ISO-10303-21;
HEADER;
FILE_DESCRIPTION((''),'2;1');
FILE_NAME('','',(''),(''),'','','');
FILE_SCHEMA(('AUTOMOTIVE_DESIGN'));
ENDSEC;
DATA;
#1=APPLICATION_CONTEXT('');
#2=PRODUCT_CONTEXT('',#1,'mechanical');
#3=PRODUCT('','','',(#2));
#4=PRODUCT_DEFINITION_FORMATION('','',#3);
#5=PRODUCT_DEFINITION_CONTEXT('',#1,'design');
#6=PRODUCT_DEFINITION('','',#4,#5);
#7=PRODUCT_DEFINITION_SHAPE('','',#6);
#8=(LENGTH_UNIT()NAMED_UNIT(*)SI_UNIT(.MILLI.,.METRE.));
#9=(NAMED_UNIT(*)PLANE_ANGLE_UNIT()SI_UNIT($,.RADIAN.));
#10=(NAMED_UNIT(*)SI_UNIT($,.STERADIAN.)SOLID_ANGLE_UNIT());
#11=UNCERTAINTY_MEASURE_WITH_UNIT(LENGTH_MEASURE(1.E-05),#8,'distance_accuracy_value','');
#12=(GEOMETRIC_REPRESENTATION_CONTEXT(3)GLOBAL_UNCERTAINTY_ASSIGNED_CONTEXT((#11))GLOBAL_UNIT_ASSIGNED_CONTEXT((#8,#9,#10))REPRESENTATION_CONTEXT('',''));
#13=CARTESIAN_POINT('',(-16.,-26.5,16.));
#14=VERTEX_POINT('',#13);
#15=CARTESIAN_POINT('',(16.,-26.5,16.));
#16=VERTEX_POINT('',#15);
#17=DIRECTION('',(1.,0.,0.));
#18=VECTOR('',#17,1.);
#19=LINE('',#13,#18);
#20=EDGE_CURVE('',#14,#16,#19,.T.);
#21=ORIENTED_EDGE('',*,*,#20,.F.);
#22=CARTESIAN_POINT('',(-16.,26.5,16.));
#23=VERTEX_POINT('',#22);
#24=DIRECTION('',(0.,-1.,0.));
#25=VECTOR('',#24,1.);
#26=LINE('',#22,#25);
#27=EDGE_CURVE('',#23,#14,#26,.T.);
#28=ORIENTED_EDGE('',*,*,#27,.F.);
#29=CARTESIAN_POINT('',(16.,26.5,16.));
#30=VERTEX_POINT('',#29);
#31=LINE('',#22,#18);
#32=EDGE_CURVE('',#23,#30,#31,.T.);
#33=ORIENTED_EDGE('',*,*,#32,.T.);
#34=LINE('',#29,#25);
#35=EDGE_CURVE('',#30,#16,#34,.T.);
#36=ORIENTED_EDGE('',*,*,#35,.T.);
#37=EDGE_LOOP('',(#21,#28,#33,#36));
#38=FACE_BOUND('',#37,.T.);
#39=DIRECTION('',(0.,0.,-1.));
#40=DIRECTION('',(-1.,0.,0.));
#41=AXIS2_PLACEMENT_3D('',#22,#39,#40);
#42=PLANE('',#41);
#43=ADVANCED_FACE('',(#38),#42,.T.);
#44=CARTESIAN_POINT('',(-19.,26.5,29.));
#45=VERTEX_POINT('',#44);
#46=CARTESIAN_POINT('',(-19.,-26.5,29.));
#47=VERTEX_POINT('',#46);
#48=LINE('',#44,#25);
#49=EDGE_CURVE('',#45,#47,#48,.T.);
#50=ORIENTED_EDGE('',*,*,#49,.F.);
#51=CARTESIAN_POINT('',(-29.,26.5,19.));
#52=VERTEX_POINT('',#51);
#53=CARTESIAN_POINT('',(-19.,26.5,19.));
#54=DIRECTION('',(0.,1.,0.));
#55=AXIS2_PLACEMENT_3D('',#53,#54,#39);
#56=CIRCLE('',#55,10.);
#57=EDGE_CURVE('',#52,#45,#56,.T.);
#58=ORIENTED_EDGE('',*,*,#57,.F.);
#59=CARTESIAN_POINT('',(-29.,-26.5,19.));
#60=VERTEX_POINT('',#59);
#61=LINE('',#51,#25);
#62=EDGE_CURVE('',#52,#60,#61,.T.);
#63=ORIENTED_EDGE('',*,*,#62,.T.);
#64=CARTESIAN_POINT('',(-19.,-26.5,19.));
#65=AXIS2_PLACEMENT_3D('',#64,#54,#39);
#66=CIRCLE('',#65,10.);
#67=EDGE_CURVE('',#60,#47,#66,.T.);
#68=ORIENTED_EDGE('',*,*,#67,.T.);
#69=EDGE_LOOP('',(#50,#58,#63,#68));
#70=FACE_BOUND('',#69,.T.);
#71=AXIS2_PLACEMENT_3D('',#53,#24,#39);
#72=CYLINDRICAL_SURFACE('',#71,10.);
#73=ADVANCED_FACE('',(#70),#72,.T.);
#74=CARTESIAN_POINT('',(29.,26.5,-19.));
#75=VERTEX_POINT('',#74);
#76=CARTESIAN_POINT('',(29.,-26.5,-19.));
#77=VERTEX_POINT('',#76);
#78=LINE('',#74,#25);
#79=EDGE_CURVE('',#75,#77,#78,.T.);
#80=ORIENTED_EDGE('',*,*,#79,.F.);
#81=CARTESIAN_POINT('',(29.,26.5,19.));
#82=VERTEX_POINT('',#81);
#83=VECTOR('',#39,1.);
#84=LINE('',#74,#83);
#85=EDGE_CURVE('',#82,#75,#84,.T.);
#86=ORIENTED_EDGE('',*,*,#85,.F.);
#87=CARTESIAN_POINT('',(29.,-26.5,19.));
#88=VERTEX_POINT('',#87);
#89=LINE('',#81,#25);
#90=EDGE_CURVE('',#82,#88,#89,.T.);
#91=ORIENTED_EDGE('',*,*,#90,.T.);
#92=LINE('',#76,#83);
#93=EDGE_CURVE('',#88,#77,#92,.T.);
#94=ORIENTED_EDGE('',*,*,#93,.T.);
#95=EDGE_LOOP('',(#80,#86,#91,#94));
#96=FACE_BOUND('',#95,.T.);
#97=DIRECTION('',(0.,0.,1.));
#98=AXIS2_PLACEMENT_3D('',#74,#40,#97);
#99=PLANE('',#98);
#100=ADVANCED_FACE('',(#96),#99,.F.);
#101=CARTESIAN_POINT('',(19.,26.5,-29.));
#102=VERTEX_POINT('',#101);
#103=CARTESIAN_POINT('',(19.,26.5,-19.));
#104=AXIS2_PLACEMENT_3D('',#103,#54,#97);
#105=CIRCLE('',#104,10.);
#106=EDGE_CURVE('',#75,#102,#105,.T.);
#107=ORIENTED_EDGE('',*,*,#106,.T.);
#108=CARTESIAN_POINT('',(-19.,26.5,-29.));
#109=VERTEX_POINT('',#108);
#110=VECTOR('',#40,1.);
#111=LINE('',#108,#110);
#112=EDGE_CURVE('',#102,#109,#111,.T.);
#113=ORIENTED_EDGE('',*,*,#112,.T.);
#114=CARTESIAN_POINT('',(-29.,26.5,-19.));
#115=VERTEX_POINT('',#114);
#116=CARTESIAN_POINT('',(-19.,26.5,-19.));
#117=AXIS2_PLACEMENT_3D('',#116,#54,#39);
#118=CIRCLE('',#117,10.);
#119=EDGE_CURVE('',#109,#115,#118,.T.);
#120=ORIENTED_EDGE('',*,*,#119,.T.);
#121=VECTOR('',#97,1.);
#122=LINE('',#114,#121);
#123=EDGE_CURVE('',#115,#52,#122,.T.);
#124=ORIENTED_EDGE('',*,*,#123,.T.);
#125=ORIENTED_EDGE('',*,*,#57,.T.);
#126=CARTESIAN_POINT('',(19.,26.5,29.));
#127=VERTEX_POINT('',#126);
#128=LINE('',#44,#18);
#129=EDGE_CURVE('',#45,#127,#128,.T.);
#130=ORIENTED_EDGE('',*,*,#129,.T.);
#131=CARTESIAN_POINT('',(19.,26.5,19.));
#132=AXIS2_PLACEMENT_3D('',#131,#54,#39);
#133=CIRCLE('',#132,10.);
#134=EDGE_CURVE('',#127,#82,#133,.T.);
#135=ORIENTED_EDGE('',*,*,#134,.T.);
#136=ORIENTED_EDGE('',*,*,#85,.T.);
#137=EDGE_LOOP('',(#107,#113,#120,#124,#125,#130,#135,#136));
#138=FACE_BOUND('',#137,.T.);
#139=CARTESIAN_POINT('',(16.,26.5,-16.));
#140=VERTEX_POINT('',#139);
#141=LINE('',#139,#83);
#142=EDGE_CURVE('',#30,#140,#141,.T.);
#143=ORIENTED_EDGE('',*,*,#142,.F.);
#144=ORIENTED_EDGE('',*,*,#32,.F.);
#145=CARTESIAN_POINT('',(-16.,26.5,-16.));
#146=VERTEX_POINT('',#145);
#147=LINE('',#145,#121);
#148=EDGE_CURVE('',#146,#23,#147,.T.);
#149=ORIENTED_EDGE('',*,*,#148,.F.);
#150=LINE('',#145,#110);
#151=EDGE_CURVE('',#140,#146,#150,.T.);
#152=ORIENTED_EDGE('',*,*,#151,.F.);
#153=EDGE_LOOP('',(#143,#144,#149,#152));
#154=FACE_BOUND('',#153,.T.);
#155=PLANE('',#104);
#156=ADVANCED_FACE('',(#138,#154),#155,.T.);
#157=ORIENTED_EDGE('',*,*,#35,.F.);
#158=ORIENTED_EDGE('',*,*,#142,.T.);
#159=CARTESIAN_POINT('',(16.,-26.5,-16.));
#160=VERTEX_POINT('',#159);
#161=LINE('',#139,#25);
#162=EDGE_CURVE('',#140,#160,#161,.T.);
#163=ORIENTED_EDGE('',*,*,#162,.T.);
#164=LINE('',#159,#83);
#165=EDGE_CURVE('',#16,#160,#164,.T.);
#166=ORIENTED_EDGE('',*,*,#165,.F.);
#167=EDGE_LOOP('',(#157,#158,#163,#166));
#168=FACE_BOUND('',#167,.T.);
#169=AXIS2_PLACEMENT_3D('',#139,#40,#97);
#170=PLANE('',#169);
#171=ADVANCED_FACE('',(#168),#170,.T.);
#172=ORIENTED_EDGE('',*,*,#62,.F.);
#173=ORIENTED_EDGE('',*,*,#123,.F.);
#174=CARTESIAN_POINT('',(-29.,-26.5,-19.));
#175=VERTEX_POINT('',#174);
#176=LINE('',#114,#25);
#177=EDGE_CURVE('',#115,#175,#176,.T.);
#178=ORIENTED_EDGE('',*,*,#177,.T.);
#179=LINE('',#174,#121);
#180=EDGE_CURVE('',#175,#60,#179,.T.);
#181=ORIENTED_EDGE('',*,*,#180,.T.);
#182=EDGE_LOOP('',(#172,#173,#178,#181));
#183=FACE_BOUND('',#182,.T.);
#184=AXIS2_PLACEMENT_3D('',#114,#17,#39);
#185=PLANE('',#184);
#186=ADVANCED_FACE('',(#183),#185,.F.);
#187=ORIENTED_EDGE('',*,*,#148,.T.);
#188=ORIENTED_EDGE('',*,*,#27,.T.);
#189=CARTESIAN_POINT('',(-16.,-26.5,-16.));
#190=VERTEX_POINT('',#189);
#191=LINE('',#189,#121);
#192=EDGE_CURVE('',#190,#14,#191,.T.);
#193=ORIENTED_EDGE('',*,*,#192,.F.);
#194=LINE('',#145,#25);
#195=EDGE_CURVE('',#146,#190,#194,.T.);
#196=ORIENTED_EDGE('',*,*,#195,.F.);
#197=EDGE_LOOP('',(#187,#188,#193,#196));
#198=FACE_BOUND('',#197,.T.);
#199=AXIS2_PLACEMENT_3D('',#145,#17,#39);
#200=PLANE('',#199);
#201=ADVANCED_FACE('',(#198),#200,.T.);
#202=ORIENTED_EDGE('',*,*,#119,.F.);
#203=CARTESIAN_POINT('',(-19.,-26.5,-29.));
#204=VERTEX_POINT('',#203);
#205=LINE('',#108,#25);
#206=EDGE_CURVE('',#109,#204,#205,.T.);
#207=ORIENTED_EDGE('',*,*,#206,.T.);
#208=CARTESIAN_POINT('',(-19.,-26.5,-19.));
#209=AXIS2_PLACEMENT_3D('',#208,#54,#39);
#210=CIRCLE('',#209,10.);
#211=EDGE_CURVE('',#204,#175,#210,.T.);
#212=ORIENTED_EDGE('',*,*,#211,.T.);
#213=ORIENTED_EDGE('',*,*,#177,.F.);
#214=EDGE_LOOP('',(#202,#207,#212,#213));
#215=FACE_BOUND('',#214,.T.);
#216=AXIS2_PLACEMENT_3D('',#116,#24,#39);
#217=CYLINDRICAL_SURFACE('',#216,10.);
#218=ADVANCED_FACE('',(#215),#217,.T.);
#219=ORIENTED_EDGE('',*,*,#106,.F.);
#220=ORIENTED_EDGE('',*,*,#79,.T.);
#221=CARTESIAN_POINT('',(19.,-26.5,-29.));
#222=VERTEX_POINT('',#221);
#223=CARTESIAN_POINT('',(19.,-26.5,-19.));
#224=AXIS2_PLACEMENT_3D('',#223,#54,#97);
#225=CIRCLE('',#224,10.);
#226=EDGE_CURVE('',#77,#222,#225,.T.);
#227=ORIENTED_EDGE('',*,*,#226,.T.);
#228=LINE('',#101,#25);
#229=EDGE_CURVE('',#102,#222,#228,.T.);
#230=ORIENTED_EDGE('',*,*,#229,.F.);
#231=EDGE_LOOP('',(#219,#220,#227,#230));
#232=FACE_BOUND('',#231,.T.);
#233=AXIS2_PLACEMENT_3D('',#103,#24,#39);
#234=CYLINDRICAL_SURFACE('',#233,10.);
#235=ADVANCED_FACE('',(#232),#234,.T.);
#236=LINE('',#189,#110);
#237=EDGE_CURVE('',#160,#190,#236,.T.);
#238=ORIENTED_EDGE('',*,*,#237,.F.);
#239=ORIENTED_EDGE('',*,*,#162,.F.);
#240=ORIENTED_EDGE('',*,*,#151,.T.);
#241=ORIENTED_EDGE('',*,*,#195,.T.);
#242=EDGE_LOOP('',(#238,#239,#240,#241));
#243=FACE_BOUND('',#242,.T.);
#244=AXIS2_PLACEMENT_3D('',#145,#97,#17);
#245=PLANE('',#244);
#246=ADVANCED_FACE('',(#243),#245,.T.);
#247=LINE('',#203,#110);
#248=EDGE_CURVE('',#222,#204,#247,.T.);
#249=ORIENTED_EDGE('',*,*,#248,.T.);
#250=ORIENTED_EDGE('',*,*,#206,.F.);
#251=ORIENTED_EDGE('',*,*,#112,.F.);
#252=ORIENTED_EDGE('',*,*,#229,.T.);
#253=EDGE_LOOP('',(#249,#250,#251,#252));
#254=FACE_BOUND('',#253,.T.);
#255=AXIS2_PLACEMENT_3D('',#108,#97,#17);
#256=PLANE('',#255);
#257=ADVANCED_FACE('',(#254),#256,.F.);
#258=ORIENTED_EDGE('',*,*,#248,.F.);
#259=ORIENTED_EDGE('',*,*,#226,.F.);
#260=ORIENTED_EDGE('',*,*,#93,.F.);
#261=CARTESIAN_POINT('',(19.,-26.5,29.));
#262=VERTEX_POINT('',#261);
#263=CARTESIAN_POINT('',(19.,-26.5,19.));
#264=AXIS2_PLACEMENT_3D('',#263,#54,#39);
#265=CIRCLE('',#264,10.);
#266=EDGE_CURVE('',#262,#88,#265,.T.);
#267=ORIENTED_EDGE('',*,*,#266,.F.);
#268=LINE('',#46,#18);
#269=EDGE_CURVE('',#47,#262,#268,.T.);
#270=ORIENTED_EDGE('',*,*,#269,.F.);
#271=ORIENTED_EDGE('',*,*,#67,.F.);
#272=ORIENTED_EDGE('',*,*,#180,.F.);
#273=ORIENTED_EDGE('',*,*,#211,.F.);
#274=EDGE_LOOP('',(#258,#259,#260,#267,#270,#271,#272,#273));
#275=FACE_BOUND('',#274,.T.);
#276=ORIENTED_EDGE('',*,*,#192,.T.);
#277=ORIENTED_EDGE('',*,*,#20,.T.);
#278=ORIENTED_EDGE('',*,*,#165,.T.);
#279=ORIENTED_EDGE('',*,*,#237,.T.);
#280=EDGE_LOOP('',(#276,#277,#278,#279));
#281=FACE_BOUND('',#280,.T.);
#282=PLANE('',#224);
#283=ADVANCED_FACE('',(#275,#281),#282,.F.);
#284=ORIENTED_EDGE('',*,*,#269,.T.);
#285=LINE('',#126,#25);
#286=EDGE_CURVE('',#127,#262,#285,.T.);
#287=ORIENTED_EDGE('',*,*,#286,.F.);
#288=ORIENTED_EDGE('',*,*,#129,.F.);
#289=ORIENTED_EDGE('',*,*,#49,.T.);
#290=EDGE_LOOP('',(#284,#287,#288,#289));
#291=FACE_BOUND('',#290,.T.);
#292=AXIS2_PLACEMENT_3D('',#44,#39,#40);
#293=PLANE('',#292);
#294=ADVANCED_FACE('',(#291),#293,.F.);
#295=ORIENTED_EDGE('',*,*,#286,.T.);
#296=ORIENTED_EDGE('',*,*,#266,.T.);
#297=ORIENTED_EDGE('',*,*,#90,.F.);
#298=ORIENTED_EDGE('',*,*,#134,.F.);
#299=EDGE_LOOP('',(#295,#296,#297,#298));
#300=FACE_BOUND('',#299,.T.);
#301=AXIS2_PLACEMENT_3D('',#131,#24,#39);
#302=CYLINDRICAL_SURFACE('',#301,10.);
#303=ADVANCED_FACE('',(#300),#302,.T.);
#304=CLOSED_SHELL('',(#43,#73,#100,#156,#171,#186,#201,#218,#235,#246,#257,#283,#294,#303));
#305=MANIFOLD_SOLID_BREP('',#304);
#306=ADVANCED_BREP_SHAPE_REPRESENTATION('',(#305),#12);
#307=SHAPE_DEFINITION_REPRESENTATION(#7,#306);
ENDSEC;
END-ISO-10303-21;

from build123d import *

# Parameters (mm, degrees)
SKETCH2_W           = 32
SKETCH2_H           = 32
BOSS_EXTRUDE1_DEPTH = 26.5


with BuildPart() as part:
    # Sketch2 → Boss-Extrude1 (new, symmetric)
    with BuildSketch(Plane(origin=(0, 0, 0), x_dir=(1, 0, 0), z_dir=(0, 1, 0))):
        with BuildLine():
            Line((-29, 19), (-29, -19))
            ThreePointArc((-29, -19), (-26.071067812, -26.071067812), (-19, -29))
            Line((-19, -29), (19, -29))
            ThreePointArc((19, -29), (26.071067812, -26.071067812), (29, -19))
            Line((29, -19), (29, 19))
            ThreePointArc((29, 19), (26.071067812, 26.071067812), (19, 29))
            Line((19, 29), (-19, 29))
            ThreePointArc((-19, 29), (-26.071067812, 26.071067812), (-29, 19))
        make_face()
        Rectangle(SKETCH2_W, SKETCH2_H, mode=Mode.SUBTRACT)
    extrude(amount=BOSS_EXTRUDE1_DEPTH, both=True)


solid = part.part
